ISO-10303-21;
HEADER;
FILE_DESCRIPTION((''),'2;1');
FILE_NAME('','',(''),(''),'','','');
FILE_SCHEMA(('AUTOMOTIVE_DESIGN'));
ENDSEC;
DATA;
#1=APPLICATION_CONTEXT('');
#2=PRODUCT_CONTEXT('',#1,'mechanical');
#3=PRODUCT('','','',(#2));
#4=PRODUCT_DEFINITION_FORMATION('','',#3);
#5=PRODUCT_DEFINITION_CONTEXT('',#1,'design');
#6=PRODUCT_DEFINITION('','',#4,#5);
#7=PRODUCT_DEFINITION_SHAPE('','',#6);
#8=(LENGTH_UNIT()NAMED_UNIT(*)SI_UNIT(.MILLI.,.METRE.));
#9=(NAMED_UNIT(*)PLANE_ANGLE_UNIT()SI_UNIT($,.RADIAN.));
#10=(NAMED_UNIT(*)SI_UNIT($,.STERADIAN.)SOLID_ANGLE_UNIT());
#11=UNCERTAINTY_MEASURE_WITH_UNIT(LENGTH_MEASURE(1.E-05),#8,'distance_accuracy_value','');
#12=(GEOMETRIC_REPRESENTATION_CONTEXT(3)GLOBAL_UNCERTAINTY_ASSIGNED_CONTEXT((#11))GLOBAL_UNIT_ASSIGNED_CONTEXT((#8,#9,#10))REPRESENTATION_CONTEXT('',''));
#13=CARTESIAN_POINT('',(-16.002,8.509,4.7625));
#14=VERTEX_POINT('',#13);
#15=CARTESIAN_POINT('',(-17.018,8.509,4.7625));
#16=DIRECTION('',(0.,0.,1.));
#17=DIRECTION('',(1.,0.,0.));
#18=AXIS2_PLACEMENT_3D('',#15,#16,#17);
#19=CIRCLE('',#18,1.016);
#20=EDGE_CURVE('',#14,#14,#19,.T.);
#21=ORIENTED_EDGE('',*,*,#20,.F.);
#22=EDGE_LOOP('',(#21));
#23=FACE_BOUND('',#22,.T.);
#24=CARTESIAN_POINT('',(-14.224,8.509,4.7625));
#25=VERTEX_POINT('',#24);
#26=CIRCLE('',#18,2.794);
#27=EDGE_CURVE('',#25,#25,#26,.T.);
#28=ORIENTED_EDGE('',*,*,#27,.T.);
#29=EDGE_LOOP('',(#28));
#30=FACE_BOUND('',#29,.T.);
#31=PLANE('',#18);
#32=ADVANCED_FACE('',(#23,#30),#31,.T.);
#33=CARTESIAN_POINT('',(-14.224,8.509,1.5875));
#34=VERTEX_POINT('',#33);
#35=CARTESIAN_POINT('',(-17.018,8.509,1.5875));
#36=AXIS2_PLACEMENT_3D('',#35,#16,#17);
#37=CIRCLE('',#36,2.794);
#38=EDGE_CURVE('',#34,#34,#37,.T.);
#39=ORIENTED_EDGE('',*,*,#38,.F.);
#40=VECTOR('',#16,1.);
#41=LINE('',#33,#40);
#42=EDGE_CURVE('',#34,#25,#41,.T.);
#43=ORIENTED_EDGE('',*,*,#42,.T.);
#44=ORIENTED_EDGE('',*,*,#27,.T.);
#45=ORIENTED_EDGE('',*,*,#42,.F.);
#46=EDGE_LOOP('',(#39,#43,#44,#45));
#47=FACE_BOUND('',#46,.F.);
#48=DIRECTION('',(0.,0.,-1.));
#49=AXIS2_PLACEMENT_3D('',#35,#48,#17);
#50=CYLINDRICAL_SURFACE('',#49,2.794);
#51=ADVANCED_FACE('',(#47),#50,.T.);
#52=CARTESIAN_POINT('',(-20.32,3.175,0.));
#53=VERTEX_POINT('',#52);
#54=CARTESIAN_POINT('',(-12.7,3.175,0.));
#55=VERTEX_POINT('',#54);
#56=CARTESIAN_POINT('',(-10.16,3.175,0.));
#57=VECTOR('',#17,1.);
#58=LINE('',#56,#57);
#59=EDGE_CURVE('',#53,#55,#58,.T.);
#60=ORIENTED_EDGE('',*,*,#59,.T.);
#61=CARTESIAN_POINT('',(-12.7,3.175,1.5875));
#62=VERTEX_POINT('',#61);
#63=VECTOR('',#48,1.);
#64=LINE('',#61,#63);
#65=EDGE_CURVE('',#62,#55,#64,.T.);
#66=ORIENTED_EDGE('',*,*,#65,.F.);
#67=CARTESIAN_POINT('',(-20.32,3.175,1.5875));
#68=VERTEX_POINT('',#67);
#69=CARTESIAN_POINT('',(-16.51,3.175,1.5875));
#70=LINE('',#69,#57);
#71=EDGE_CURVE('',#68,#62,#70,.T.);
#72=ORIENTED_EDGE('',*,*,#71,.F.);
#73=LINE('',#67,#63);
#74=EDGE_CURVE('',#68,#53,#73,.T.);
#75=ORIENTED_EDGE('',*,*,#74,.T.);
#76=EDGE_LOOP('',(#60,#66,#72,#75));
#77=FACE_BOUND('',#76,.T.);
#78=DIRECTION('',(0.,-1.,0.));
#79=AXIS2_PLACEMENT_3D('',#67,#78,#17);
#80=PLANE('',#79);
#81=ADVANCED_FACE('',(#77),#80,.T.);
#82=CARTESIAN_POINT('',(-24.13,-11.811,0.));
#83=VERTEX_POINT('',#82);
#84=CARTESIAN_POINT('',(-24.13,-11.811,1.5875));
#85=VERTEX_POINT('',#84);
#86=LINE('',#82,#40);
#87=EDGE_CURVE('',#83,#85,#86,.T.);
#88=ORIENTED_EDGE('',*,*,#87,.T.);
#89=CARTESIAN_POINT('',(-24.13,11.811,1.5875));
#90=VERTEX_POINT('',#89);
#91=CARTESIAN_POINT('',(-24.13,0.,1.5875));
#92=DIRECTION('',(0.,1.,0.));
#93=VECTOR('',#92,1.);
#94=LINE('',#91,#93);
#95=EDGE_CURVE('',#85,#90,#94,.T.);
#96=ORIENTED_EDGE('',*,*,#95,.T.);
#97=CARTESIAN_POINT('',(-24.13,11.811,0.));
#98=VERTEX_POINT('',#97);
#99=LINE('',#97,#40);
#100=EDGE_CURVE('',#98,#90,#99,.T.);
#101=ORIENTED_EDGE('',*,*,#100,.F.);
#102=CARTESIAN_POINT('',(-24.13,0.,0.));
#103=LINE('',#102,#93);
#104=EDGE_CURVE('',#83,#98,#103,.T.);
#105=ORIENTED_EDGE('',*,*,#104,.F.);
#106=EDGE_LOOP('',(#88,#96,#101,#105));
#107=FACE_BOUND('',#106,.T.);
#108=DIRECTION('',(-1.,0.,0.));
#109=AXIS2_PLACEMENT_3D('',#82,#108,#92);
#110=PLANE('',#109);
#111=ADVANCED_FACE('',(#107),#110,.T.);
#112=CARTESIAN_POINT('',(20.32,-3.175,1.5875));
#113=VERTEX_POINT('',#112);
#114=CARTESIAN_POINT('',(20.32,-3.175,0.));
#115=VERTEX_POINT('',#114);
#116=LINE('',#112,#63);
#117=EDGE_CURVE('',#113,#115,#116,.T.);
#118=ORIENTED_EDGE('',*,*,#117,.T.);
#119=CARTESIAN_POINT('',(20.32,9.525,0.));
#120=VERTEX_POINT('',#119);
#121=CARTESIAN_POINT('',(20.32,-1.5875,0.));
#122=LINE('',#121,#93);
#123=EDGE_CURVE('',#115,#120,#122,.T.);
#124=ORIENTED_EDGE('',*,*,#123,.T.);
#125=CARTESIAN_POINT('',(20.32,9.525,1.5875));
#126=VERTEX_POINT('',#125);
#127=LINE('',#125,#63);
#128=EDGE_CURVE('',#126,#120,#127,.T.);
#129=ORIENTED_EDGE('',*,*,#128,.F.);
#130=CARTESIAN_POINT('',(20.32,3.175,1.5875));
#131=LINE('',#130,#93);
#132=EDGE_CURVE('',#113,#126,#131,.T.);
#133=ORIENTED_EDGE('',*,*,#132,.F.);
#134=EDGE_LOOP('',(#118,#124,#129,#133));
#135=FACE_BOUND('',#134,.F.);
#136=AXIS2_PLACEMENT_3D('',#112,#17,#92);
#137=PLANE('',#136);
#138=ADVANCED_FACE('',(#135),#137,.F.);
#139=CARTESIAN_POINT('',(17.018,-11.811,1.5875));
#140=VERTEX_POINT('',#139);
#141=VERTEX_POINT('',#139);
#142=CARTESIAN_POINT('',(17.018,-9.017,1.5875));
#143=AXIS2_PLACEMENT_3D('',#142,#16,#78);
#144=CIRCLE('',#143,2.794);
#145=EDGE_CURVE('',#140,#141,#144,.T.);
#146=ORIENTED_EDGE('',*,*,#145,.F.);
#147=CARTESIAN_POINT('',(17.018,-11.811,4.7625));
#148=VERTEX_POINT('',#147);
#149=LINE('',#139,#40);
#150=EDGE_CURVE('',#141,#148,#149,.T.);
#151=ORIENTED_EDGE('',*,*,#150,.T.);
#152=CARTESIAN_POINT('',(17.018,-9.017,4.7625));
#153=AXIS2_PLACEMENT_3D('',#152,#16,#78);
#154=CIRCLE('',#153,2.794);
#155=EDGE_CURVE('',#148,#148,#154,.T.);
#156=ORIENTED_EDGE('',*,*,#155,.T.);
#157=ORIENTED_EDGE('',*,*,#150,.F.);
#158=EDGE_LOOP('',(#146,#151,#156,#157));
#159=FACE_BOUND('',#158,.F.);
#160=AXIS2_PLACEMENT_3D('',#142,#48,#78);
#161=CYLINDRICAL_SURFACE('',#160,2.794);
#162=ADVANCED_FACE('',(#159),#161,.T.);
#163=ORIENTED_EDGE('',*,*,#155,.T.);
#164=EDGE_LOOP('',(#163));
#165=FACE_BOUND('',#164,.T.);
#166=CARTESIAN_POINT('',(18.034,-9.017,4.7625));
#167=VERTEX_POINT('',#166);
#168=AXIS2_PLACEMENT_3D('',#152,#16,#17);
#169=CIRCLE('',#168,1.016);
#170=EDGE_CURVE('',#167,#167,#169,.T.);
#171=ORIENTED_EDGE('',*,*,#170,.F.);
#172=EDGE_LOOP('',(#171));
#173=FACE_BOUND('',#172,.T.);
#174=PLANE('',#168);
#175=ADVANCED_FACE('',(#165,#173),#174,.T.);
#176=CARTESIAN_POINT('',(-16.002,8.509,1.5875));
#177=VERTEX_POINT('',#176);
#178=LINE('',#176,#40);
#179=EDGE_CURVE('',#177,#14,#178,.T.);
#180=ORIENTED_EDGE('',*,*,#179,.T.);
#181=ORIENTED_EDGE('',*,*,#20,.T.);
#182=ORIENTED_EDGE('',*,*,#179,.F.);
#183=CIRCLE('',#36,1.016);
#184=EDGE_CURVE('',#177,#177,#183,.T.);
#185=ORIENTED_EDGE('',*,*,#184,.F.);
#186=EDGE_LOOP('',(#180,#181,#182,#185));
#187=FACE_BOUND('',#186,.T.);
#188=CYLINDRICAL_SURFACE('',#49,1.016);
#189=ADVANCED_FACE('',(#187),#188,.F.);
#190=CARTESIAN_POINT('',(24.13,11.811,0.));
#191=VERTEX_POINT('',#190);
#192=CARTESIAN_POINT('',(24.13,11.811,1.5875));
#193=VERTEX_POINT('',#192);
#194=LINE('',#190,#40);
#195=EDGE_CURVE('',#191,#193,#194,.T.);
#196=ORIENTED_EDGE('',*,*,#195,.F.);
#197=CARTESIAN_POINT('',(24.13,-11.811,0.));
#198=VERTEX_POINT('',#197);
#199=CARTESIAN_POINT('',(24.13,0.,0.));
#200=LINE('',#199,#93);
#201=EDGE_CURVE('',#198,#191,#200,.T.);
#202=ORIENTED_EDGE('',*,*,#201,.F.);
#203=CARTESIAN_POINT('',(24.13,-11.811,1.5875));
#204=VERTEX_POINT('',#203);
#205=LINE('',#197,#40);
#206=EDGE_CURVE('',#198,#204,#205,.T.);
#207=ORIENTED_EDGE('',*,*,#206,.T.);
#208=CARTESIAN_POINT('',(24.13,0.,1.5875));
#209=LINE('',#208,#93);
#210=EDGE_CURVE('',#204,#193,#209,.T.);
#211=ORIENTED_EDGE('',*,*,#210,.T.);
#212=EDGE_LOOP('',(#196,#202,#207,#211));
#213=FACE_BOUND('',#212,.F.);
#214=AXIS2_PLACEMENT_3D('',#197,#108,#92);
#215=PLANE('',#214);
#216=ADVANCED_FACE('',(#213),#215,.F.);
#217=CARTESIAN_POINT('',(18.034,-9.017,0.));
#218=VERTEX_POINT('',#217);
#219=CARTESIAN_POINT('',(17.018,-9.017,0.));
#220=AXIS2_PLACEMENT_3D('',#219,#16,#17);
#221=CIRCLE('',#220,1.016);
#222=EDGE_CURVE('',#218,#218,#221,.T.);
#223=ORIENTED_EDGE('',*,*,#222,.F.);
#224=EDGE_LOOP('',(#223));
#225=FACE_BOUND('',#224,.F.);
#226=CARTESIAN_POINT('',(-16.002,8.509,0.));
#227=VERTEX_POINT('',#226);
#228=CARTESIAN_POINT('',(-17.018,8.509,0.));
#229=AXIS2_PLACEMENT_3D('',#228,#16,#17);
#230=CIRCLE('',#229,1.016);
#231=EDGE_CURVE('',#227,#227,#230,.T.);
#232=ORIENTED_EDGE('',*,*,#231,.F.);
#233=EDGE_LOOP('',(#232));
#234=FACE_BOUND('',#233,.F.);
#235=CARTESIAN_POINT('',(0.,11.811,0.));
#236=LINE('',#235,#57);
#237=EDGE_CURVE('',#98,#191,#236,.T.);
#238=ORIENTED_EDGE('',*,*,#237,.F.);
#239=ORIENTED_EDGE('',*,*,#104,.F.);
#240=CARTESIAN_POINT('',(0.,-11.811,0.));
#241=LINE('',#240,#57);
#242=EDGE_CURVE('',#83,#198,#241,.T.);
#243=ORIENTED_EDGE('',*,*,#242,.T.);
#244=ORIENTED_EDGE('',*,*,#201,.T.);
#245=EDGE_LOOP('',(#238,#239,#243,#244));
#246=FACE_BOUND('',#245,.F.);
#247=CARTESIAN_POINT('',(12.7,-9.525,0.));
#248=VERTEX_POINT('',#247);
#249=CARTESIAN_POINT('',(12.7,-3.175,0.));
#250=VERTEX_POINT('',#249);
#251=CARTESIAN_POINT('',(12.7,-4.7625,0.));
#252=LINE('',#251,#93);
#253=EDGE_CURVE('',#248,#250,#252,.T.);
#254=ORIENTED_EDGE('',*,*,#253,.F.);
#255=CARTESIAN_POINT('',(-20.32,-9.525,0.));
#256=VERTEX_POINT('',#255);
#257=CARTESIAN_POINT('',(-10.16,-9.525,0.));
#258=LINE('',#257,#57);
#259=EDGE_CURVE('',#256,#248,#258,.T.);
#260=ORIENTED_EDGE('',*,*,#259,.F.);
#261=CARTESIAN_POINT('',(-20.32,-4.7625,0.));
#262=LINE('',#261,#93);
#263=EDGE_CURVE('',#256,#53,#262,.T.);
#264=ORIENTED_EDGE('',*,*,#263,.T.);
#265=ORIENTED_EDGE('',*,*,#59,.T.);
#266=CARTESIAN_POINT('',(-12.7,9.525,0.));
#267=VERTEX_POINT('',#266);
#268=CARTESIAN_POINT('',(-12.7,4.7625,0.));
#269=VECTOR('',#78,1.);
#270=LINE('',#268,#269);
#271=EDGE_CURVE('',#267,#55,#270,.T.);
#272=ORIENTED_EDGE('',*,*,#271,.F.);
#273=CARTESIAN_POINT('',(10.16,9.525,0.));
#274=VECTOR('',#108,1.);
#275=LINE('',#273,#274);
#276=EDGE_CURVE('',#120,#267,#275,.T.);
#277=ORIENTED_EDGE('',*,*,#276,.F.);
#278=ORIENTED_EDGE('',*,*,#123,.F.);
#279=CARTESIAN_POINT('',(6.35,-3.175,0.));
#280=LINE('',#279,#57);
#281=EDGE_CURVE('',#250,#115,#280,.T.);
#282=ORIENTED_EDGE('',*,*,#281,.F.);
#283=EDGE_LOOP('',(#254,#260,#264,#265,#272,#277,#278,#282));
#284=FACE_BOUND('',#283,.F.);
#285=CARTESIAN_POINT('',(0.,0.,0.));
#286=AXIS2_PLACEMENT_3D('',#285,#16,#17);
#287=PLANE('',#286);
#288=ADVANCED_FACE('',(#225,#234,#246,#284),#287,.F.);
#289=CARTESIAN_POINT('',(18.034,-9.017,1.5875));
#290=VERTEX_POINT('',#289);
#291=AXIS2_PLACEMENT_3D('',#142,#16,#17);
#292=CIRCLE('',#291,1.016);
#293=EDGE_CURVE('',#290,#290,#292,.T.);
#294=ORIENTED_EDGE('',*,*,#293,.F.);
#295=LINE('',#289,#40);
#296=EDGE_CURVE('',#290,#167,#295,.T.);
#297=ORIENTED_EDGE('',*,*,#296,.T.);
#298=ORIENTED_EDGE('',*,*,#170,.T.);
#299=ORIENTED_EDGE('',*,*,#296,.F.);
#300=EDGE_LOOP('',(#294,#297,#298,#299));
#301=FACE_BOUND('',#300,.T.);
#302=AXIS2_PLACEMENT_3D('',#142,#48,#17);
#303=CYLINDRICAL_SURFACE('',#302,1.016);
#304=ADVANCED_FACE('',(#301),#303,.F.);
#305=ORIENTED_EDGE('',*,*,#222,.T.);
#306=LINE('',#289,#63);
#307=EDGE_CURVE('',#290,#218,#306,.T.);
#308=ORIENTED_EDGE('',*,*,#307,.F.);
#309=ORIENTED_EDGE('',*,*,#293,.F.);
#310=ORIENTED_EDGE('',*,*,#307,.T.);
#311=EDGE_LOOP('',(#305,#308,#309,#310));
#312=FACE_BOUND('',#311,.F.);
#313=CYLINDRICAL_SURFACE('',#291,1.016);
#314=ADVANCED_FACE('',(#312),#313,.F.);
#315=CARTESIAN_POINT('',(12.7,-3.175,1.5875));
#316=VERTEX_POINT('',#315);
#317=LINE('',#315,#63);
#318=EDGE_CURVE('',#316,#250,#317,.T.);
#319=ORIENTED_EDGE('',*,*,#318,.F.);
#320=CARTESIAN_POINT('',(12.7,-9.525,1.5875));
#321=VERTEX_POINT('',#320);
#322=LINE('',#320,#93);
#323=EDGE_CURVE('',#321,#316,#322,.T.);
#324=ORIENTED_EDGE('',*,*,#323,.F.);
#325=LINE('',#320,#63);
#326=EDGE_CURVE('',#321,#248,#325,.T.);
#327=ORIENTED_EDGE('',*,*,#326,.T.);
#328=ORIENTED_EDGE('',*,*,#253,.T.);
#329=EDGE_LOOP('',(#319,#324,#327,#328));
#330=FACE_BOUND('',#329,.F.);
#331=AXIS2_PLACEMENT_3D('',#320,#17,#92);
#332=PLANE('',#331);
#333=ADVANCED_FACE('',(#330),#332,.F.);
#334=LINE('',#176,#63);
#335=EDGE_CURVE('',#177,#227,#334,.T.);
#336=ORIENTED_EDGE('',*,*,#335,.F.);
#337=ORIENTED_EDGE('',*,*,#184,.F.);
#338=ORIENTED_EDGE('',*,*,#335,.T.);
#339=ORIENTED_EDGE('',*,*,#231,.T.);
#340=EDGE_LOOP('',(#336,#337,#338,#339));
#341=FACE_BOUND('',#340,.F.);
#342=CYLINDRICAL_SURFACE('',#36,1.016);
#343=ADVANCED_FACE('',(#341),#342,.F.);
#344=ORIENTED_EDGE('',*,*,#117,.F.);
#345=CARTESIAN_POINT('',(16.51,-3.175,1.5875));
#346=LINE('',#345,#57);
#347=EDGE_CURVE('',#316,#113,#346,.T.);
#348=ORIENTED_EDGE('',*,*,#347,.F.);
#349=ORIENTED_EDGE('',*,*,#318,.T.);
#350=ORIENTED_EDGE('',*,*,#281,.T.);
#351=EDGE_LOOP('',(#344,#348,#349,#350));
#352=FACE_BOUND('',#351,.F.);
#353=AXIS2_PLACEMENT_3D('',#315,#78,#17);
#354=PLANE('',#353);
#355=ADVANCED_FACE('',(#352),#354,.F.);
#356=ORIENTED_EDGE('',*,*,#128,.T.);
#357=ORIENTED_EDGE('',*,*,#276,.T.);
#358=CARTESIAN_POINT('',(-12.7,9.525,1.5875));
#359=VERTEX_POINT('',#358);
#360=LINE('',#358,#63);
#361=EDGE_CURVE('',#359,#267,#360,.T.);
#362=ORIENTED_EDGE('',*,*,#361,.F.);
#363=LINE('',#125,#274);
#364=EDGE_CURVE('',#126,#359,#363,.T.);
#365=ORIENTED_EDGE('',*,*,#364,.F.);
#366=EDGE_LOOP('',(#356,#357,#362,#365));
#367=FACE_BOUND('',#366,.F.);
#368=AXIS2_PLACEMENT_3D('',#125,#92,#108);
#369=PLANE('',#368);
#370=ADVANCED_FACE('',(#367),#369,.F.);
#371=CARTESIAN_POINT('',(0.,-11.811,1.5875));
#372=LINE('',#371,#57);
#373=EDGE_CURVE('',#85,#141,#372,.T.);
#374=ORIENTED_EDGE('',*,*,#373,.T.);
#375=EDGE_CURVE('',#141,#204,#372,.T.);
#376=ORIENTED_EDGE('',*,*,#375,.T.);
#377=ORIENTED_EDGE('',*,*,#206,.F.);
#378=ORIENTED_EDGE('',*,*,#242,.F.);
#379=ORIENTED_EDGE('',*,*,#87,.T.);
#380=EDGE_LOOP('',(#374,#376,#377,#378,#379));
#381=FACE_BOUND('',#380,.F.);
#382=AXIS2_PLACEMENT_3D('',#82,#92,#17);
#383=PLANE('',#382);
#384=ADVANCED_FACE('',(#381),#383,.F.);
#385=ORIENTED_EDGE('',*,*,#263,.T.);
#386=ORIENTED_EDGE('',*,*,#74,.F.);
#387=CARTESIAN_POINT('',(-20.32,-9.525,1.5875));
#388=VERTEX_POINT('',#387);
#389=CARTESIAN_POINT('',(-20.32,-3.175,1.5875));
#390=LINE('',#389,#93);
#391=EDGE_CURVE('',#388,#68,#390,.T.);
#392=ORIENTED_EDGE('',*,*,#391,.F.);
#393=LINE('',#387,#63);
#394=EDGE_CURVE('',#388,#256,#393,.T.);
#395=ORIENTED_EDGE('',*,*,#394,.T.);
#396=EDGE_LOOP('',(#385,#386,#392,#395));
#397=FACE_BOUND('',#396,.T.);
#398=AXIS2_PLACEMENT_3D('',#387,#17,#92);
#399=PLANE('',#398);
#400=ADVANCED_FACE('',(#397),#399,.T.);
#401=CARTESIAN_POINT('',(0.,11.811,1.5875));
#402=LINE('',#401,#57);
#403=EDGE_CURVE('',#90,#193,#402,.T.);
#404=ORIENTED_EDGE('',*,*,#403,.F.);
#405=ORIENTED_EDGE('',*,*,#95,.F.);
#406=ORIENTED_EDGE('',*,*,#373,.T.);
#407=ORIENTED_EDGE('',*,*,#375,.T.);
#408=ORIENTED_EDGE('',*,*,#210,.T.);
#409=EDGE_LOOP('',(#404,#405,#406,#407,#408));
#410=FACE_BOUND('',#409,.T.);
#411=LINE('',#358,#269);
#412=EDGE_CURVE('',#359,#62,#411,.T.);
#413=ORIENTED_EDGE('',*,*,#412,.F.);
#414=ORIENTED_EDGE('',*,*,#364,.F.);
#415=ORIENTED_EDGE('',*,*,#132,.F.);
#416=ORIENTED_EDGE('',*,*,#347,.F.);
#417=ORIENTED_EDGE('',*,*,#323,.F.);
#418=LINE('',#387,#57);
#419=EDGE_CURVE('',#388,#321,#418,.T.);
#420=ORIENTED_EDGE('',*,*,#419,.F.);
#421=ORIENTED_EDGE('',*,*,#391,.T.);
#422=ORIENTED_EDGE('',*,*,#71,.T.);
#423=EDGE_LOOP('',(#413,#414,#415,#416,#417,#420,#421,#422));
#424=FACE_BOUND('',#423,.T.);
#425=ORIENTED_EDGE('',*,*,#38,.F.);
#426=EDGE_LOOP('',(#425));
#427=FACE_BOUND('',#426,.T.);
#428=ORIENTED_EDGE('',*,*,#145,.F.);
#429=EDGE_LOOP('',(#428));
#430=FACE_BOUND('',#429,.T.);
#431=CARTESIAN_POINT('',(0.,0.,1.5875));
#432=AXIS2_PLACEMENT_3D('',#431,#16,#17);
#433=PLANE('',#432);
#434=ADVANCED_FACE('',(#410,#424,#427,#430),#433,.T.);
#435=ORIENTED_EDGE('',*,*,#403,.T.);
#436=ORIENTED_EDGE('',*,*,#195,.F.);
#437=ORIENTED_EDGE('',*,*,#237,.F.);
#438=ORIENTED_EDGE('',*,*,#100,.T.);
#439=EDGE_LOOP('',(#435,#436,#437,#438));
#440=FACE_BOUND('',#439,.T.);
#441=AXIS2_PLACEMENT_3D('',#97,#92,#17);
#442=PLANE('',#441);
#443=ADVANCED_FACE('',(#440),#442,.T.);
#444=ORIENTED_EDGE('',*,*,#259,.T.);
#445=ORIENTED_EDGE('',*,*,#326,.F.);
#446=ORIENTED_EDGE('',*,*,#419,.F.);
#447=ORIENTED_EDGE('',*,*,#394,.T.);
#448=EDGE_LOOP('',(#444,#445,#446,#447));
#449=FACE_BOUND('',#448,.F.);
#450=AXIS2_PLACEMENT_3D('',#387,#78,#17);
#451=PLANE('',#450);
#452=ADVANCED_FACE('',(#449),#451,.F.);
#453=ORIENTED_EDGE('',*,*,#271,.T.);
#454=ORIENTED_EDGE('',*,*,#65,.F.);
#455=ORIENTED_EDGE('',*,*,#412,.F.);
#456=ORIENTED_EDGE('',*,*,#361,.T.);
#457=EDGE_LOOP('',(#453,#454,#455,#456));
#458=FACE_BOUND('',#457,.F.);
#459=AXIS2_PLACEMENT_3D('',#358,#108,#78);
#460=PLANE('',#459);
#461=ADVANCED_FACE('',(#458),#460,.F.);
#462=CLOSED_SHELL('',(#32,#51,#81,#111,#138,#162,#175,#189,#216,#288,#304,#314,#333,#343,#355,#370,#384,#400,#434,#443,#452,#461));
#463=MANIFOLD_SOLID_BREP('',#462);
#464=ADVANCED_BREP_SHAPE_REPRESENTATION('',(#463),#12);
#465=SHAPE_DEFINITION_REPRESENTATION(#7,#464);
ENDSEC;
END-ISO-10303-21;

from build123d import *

# Parameters (mm, degrees)
F0_W     = 48.26
F0_H     = 23.622
F1_DEPTH = 1.5875
F2_R     = 2.794
F2_R_2   = 1.016
F3_DEPTH = 3.175
F4_DEPTH = 6.35
F5_W     = 7.62
F5_H     = 12.7
F6_DEPTH = 6.35


with BuildPart() as f1:
    # F0 (on Top) → F1 (new body)
    with BuildSketch(Plane.XY):
        Rectangle(F0_W, F0_H)
    extrude(amount=F1_DEPTH)

    # F2 (on face) → F3 (join)
    with BuildSketch(Plane.XY.offset(1.5875)):
        with Locations((-17.018, 8.509)):
            Circle(F2_R)
        with Locations((-17.018, 8.509)):
            Circle(F2_R_2, mode=Mode.SUBTRACT)
        with Locations((17.018, -9.017)):
            Circle(F2_R)
        with Locations((17.018, -9.017)):
            Circle(F2_R_2, mode=Mode.SUBTRACT)
        with BuildLine():
            ThreePointArc((17.018, -11.811), (18.993656, -10.992656), (19.812, -9.017))
            ThreePointArc((19.812, -9.017), (15.042344, -7.041344), (17.018, -11.811))
        make_face()
        with Locations((17.018, -9.017)):
            Circle(F2_R_2, mode=Mode.SUBTRACT)
    extrude(amount=F3_DEPTH)

    # F2 (on face) → F4 (cut)
    with BuildSketch(Plane.XY.offset(1.5875)):
        with Locations((-17.018, 8.509)):
            Circle(F2_R_2)
        with Locations((17.018, -9.017)):
            Circle(F2_R_2)
    extrude(amount=-F4_DEPTH, mode=Mode.SUBTRACT)

    # F5 (on face) → F6 (cut)
    with BuildSketch(Plane.XY.offset(1.5875)):
        Polygon((-12.7, -9.525), (12.7, -9.525), (12.7, -3.175), (12.7, 9.525), (-12.7, 9.525), (-12.7, 3.175), align=None)
        with Locations((16.51, 3.175)):
            Rectangle(F5_W, F5_H)
        with Locations((-16.51, -3.175)):
            Rectangle(F5_W, F5_H)
    extrude(amount=-F6_DEPTH, mode=Mode.SUBTRACT)


solid = f1.part
